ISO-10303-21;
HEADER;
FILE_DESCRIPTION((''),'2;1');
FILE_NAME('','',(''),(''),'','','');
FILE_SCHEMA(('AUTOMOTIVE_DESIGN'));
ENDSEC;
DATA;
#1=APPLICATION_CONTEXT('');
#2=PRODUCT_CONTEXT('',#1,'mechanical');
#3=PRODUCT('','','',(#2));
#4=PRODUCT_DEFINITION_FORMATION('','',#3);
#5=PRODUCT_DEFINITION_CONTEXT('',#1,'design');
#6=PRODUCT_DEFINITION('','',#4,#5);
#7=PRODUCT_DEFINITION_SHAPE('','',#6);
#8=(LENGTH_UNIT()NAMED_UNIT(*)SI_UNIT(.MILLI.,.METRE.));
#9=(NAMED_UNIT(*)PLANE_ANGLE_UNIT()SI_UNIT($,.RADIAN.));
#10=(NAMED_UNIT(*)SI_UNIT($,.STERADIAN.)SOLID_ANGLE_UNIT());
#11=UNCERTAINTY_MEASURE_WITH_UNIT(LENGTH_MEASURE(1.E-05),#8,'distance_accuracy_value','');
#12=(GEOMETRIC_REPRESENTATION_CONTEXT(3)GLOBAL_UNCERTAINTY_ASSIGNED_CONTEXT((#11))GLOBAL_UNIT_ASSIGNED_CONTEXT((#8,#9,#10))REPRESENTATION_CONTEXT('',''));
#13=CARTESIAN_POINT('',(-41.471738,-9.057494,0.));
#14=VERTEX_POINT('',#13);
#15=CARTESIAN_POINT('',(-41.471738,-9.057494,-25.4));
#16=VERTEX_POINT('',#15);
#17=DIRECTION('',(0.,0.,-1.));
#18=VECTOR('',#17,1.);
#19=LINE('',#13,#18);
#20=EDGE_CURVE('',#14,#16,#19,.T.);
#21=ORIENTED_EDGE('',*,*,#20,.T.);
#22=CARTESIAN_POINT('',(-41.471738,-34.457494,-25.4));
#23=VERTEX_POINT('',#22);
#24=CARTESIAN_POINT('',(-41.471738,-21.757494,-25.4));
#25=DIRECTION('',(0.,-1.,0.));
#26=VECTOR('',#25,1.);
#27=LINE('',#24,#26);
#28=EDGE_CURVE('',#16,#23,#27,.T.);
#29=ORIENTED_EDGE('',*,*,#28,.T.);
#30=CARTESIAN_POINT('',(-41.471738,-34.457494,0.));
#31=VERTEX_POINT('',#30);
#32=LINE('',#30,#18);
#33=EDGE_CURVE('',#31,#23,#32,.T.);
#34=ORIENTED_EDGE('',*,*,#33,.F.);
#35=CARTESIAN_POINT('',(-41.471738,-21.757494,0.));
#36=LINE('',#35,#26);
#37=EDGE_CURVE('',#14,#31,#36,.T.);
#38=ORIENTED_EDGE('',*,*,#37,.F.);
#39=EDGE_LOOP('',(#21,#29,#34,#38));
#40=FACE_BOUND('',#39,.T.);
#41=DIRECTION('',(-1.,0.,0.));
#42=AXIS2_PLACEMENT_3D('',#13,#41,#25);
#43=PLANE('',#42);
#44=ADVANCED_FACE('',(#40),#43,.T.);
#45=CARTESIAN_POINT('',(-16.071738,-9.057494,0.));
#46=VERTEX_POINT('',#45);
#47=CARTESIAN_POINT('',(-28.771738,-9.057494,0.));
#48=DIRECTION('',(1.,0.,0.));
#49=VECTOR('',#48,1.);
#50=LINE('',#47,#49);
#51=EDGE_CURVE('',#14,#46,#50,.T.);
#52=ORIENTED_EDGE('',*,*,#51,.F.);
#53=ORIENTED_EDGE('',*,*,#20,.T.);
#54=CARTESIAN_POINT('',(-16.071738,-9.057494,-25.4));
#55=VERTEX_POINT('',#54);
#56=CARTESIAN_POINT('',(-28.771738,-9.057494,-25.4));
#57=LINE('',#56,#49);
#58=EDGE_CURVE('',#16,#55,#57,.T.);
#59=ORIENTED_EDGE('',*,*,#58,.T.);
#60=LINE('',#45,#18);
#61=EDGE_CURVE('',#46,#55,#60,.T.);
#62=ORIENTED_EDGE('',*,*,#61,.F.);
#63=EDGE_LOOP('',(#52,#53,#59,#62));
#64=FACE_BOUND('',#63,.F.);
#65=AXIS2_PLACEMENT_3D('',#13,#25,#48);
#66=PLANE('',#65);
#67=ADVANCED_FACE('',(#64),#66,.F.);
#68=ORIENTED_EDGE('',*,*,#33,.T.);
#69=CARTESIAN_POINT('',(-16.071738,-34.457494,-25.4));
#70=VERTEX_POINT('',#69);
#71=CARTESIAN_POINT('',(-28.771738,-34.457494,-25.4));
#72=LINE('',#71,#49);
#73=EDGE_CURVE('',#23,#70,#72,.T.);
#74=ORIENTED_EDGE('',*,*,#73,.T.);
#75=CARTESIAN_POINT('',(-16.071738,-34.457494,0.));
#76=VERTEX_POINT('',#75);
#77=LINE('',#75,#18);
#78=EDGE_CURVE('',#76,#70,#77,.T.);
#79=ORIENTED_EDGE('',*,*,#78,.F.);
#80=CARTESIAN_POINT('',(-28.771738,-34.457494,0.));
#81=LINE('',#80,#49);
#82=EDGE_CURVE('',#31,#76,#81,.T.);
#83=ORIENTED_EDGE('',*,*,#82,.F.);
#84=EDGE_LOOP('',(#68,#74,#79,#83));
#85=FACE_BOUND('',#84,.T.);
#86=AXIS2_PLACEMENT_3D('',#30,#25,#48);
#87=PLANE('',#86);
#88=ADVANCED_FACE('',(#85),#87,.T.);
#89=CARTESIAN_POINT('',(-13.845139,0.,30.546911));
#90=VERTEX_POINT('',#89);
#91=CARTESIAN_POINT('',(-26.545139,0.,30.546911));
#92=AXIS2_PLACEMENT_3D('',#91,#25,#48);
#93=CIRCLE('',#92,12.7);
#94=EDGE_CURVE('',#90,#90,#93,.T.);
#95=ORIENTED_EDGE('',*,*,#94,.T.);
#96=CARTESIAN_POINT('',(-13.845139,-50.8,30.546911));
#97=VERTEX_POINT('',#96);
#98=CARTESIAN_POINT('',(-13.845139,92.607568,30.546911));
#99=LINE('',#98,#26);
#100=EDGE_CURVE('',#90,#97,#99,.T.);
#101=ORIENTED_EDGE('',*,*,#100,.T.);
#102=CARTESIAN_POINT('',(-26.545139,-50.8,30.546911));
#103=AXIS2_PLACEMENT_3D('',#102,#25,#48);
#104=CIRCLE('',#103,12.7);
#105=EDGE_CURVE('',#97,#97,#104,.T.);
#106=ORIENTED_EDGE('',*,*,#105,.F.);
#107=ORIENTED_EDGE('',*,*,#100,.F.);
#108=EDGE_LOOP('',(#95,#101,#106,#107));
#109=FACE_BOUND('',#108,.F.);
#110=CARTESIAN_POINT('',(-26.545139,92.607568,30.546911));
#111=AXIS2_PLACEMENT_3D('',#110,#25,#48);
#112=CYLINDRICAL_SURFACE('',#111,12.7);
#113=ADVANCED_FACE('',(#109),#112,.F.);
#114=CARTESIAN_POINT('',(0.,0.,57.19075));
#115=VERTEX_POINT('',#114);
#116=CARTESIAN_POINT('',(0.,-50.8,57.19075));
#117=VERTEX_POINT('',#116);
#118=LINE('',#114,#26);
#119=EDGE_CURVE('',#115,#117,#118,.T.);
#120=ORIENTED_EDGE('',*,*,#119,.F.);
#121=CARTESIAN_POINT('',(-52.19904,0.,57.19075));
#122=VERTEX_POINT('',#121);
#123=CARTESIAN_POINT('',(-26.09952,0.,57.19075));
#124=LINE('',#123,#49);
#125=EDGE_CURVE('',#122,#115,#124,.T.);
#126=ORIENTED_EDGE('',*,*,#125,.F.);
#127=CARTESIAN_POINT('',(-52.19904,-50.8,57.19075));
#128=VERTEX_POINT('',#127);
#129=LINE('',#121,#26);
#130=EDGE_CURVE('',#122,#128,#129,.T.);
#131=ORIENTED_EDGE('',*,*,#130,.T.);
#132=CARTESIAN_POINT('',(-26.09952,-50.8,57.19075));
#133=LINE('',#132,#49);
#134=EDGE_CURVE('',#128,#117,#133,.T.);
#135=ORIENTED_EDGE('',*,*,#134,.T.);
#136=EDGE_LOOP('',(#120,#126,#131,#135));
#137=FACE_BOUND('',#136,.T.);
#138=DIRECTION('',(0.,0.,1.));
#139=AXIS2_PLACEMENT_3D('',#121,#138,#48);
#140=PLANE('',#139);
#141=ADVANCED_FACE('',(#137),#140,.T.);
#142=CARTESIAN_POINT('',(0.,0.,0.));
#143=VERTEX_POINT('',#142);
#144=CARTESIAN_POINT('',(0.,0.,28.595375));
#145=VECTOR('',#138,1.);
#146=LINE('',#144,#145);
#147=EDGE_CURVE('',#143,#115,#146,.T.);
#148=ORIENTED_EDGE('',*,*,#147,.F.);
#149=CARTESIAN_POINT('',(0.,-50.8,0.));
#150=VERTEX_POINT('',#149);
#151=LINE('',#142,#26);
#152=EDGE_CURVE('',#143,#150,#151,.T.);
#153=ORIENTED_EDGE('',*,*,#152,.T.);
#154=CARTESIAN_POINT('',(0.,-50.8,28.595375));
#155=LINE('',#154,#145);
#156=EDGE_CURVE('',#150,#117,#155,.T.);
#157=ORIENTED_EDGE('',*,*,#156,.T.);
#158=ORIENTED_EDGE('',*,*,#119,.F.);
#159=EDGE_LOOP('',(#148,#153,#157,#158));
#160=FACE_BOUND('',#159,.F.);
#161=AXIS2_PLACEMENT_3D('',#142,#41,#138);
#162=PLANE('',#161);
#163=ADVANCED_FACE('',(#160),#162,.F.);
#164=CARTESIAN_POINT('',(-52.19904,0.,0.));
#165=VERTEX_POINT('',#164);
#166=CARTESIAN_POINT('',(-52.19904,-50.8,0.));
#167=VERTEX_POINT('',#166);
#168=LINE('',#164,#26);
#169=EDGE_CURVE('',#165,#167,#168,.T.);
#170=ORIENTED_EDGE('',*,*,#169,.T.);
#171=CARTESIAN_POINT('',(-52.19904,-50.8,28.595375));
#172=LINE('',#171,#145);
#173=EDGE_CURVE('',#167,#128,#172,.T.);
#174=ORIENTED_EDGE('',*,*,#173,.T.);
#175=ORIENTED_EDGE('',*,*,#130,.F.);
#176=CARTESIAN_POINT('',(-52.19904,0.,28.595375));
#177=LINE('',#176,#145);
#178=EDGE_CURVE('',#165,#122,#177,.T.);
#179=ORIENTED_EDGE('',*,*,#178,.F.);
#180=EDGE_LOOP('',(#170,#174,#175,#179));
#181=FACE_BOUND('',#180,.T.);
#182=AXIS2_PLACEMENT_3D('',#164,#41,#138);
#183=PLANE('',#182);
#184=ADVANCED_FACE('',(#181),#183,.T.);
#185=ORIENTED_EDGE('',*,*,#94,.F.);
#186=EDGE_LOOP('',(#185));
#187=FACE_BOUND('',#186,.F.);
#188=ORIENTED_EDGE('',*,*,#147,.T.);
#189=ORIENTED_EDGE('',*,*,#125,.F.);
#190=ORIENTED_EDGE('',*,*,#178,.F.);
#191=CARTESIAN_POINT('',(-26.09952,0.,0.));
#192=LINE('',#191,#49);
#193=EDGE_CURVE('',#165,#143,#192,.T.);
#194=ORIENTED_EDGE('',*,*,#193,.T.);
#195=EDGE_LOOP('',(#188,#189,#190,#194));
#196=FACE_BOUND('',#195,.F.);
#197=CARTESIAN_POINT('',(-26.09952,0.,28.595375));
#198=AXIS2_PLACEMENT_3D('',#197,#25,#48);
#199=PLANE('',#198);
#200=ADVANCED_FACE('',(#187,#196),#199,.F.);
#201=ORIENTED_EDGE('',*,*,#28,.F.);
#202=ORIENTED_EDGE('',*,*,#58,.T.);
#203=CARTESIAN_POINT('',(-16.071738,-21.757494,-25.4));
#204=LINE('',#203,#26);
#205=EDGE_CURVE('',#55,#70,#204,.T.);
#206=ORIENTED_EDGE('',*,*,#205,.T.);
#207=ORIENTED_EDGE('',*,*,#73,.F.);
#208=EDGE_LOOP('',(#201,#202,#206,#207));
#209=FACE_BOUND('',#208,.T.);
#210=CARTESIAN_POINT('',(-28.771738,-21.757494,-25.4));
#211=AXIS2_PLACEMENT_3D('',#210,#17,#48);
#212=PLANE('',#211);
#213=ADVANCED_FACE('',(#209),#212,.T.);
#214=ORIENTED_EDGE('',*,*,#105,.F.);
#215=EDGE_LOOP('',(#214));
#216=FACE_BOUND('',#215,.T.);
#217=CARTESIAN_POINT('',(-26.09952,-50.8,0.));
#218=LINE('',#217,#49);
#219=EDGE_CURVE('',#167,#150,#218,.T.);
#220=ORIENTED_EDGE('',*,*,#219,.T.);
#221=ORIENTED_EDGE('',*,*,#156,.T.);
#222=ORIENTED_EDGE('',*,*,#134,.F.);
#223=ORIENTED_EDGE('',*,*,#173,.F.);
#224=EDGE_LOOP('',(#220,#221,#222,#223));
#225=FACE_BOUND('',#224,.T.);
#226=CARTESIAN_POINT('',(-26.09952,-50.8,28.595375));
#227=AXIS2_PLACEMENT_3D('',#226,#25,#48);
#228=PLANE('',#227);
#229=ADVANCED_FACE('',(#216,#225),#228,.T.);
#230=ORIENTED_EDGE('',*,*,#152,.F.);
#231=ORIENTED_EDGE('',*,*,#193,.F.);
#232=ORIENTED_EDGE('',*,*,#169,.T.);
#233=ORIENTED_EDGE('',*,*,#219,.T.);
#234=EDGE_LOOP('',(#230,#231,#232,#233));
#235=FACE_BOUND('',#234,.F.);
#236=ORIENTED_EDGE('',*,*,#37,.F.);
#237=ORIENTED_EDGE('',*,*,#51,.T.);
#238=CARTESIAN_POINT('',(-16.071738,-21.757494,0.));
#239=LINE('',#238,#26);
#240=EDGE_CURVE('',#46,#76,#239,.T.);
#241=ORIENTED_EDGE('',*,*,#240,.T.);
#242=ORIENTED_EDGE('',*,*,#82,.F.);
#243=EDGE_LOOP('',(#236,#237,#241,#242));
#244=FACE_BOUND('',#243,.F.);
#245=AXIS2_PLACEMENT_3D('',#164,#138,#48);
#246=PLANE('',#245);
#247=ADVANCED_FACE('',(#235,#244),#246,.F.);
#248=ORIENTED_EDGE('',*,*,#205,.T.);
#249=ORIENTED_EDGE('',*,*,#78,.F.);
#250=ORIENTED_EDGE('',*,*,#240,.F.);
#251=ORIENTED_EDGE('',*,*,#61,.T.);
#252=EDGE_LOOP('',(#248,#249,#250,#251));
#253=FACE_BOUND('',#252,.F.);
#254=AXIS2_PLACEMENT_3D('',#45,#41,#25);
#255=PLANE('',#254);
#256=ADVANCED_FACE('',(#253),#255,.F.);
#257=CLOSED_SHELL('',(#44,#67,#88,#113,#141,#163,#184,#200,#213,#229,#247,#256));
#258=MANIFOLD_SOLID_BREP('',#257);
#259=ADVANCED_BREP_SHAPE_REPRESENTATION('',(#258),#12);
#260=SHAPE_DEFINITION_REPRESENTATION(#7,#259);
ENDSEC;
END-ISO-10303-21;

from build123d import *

# Parameters (mm, degrees)
F0_W     = 52.19904
F0_H     = 57.19075
F1_DEPTH = 50.8
F3_D     = 25.4
F4_W     = 25.4
F4_H     = 25.4
F5_DEPTH = 25.4


with BuildPart() as f1:
    # F0 (on Front) → F1 (new body)
    with BuildSketch(Plane.XZ):
        with Locations((-26.09952, 28.595375)):
            Rectangle(F0_W, F0_H)
    extrude(amount=F1_DEPTH)

    # F3 (through all)
    with Locations(Plane(origin=(0, 0, 0), x_dir=(-1, 0, 0), z_dir=(0, 1, 0))):
        with Locations((26.545139, 30.546911)):
            Hole(F3_D / 2)

    # F4 (on face) → F5 (join)
    with BuildSketch(Plane(origin=(0, 0, 0), x_dir=(1, 0, 0), z_dir=(0, 0, -1))):
        with Locations((-28.771738, 21.757494)):
            Rectangle(F4_W, F4_H)
    extrude(amount=F5_DEPTH)


solid = f1.part
